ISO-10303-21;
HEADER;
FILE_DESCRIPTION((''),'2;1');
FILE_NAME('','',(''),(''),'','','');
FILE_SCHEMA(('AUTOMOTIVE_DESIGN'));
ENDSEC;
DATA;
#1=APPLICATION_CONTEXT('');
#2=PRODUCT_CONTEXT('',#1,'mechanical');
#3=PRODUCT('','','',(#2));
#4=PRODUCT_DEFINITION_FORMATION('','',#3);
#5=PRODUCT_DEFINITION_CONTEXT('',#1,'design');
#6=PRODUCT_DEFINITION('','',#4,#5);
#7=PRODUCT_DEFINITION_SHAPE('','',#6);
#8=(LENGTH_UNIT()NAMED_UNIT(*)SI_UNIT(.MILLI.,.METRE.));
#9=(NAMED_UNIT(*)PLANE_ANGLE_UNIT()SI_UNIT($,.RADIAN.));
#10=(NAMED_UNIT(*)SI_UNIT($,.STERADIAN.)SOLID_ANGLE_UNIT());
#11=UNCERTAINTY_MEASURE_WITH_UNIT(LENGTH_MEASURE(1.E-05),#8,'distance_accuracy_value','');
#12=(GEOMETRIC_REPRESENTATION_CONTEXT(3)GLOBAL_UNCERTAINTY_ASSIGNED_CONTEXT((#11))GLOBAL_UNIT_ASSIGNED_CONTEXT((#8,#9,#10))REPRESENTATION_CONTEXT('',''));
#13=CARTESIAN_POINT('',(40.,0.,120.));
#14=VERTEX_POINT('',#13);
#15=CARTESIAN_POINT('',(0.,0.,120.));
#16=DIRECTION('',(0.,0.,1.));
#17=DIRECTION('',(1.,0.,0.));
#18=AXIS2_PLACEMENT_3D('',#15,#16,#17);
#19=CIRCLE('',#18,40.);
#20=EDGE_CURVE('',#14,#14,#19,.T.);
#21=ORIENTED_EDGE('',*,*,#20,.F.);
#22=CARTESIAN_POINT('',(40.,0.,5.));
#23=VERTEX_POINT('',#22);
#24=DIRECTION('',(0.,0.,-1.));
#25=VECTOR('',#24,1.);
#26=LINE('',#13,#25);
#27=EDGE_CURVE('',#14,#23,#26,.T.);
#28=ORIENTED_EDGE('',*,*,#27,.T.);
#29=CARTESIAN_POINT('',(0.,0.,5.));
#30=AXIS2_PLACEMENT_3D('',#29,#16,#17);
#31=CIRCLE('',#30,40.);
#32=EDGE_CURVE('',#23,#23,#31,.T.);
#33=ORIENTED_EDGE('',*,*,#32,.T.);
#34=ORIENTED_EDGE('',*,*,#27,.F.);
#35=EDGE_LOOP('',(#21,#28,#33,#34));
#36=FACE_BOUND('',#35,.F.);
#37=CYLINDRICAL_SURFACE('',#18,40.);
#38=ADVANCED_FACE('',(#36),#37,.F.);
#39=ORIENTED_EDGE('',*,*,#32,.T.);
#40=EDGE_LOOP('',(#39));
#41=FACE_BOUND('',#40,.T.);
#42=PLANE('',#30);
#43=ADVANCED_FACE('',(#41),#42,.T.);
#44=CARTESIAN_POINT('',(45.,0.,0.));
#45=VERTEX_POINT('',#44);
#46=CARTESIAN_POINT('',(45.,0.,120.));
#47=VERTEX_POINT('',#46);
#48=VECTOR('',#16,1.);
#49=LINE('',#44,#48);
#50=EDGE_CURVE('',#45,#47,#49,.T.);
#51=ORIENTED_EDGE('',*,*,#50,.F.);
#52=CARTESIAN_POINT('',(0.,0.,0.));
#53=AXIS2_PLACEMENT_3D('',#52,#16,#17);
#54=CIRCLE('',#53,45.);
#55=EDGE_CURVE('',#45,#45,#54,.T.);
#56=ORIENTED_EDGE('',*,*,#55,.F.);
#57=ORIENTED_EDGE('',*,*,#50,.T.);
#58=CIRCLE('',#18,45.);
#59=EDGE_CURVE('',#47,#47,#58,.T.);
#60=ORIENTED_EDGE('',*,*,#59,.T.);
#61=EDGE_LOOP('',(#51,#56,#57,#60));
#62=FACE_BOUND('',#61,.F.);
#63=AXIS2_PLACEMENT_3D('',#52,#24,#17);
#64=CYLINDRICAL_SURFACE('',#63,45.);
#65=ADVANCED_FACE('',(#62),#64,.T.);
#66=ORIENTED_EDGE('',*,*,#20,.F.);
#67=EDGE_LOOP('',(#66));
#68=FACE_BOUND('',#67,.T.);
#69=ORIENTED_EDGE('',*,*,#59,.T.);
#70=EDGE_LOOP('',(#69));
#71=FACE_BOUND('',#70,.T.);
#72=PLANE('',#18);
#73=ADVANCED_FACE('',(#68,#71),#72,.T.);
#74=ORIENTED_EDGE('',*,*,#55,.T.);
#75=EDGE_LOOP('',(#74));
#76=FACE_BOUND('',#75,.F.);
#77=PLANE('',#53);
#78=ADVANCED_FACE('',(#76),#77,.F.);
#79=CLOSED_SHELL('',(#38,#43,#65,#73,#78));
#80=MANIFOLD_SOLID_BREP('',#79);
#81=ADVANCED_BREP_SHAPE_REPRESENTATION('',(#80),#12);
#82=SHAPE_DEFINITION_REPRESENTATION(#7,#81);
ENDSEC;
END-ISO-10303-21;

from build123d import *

# Parameters (mm, degrees)
SKETCH_R     = 45
PAD_DEPTH    = 120
SKETCH001_R  = 40
POCKET_DEPTH = 115


with BuildPart() as part:
    # Sketch → Pad (new body)
    with BuildSketch(Plane.XY):
        Circle(SKETCH_R)
    extrude(amount=PAD_DEPTH)

    # Sketch001 (on Face3 of Pad) → Pocket (cut)
    with BuildSketch(Plane.XY.offset(120)):
        Circle(SKETCH001_R)
    extrude(amount=-POCKET_DEPTH, mode=Mode.SUBTRACT)


solid = part.part
